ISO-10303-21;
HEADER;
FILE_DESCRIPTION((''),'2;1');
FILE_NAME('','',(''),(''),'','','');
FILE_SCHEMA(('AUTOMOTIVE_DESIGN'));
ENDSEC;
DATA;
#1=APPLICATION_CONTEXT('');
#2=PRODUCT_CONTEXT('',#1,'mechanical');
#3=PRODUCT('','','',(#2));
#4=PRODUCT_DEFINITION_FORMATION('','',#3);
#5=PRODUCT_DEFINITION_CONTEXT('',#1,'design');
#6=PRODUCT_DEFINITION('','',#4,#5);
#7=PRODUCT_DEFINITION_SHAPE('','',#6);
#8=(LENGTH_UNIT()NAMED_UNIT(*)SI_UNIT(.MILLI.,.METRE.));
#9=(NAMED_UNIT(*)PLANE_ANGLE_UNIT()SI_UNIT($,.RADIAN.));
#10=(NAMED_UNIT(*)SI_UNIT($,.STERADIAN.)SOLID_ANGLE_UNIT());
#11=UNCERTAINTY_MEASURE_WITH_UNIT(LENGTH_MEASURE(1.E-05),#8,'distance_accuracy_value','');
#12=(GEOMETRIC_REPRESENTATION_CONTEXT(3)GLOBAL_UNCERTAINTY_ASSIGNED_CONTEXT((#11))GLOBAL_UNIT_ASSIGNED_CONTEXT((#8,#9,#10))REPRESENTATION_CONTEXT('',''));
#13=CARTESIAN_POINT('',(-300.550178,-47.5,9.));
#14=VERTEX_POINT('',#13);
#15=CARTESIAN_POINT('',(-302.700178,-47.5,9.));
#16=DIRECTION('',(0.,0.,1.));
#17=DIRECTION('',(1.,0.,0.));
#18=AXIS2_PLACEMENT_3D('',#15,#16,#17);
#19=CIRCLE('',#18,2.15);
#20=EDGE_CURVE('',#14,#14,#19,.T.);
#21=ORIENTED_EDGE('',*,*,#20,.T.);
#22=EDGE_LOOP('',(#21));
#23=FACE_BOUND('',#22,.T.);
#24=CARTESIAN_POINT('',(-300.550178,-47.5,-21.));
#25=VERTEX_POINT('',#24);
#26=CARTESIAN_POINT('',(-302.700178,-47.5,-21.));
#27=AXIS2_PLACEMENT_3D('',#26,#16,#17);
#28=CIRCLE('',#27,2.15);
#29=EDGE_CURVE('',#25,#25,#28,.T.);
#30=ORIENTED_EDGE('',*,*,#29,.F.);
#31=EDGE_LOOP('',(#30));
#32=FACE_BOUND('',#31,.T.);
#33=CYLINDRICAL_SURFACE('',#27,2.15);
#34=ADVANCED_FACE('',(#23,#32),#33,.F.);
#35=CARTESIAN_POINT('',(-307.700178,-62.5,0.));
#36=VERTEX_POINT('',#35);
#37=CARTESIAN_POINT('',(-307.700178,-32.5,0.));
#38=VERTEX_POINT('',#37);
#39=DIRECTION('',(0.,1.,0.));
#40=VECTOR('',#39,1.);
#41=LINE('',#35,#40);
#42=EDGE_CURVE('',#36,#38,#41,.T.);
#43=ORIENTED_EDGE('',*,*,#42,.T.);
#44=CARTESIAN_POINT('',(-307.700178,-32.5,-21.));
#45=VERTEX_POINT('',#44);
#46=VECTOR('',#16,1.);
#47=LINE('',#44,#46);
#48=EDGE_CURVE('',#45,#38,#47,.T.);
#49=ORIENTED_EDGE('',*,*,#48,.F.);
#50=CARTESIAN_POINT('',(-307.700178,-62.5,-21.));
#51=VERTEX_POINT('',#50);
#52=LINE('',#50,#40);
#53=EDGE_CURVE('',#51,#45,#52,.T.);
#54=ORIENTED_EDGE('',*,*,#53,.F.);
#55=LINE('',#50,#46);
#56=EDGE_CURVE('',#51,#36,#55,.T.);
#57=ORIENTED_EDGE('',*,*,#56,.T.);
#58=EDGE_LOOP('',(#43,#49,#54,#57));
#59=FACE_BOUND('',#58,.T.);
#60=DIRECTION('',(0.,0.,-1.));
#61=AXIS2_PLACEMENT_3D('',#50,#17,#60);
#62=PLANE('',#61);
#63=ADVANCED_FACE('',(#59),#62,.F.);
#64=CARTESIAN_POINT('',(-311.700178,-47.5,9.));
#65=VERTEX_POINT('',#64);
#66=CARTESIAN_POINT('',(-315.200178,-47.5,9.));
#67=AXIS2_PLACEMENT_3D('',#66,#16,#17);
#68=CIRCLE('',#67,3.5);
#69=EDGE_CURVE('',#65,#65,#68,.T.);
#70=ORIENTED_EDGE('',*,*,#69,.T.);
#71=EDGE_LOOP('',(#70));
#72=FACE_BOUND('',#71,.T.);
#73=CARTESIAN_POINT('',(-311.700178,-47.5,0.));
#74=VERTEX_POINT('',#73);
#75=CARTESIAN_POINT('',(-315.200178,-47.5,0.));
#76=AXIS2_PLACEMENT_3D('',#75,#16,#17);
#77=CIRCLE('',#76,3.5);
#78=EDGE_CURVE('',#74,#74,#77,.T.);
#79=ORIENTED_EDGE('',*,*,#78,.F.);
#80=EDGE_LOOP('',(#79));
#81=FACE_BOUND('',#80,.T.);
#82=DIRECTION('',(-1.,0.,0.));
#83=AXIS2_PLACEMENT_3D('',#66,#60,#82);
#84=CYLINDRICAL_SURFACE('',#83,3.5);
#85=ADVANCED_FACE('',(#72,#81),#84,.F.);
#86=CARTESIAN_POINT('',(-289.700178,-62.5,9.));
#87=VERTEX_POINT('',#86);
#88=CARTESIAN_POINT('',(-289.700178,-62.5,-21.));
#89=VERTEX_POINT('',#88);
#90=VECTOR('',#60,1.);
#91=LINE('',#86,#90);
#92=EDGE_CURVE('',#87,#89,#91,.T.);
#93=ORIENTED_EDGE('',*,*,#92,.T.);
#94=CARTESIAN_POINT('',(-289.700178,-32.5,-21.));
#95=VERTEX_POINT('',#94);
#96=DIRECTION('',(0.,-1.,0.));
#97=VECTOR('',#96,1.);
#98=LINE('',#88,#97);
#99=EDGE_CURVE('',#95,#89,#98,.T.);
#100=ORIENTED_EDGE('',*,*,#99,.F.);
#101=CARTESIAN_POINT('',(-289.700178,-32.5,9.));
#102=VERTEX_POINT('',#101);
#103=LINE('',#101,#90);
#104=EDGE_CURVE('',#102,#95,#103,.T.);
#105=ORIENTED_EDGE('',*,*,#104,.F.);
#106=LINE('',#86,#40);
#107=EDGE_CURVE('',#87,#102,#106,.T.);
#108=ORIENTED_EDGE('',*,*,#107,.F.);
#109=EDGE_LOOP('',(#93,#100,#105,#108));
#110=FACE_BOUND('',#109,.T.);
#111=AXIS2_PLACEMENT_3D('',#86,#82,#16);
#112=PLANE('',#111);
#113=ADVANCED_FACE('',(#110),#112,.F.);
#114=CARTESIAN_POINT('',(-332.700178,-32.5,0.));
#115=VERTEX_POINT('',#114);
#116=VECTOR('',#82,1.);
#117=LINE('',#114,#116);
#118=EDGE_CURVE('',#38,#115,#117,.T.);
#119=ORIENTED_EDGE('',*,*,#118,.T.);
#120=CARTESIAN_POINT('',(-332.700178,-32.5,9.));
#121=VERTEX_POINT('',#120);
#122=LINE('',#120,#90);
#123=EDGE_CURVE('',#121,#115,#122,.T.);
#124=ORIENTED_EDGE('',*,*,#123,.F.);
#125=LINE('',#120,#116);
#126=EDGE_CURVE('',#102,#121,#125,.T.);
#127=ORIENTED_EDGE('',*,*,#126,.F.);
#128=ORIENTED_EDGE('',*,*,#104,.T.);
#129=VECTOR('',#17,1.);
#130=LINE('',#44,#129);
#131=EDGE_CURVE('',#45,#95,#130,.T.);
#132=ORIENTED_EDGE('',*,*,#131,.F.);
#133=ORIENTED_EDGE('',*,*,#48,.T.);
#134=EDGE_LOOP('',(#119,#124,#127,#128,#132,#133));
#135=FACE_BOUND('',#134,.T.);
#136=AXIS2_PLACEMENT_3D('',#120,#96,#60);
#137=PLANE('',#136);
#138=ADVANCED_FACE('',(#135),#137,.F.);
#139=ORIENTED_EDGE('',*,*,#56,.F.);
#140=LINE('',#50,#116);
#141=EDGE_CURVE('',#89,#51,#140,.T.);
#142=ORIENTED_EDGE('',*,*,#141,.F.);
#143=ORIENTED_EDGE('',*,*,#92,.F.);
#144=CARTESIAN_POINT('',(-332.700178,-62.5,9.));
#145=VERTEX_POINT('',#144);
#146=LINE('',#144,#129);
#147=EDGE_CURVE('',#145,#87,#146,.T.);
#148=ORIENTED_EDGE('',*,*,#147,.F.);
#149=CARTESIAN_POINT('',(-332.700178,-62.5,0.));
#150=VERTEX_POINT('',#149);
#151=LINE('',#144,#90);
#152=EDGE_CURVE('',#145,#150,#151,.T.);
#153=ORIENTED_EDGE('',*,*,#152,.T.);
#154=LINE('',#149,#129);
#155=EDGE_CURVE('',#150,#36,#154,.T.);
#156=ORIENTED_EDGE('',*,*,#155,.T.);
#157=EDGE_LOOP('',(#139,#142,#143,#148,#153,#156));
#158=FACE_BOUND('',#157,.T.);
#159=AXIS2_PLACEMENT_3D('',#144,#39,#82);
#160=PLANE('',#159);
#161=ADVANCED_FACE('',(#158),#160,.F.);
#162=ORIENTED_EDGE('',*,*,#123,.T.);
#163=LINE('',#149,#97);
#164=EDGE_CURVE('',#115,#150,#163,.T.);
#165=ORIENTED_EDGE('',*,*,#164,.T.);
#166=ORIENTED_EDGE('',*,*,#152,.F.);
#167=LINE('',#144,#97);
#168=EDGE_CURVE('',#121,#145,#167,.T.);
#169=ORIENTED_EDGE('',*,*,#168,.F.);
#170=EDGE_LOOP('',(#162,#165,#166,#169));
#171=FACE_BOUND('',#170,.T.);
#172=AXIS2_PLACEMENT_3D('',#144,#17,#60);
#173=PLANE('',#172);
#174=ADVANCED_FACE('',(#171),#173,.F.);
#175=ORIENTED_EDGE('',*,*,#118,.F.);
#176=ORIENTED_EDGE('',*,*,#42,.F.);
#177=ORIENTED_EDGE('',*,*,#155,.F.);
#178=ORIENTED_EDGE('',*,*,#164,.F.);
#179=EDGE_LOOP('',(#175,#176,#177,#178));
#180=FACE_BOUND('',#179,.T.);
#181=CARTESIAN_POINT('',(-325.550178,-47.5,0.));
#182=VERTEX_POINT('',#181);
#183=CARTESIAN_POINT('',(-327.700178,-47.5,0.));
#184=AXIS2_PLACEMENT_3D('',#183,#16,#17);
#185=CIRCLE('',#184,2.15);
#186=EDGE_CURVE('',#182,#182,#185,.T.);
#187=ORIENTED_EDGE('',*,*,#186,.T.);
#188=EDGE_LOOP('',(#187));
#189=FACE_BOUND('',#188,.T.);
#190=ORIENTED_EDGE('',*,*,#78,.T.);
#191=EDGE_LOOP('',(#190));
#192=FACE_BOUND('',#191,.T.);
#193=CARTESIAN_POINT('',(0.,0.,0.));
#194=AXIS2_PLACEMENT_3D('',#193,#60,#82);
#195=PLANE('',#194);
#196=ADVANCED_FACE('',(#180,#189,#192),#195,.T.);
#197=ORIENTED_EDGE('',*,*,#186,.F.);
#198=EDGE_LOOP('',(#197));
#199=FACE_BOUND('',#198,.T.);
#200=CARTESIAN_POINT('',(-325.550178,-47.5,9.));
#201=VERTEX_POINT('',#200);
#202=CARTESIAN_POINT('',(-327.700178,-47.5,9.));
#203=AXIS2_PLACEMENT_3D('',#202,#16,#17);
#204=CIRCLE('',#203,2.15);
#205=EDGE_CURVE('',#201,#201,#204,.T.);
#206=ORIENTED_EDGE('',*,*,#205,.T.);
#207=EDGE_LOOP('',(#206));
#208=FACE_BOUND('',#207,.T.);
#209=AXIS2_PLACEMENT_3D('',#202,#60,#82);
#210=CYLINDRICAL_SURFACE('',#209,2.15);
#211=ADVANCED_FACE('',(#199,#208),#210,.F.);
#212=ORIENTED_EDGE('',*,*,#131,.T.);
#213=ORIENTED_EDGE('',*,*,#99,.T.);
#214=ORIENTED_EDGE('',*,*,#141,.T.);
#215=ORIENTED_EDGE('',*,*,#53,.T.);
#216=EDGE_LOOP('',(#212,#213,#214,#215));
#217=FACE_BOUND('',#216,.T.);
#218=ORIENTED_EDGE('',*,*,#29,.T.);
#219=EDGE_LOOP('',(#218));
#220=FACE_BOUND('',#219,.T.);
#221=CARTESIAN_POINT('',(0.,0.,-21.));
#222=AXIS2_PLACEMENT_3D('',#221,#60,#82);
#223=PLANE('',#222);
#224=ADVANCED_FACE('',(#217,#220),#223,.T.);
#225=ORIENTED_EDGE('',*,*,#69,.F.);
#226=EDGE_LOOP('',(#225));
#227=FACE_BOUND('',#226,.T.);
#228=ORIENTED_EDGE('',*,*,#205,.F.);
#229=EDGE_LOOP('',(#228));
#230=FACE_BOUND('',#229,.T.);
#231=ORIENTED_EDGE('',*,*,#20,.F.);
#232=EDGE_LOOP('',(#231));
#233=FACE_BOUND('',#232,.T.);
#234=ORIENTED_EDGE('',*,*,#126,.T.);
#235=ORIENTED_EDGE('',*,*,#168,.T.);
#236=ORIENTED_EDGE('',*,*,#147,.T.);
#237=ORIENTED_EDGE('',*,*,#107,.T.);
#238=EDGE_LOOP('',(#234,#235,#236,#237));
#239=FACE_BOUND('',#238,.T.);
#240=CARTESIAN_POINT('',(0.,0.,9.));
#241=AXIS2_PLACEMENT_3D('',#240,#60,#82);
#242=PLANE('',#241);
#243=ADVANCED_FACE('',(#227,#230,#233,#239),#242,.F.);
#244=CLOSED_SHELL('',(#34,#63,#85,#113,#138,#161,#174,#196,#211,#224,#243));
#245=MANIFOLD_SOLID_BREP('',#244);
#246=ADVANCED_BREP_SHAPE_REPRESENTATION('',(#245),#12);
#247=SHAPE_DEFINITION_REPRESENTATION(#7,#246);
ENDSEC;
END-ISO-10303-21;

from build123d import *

# Parameters (mm, degrees)
SKETCH1_W           = 43
SKETCH1_H           = 30
SKETCH1_R           = 2.15
SKETCH1_R_2         = 3.5
BOSS_EXTRUDE1_DEPTH = 9
SKETCH2_W           = 18
SKETCH2_H           = 30
BOSS_EXTRUDE2_DEPTH = 21
SKETCH3_R           = 2.15
CUT_EXTRUDE1_DEPTH  = 340.846521731


with BuildPart() as part:
    # Sketch1 → Boss-Extrude1 (new body)
    with BuildSketch(Plane.XY):
        with Locations((-311.200177837, -47.5)):
            Rectangle(SKETCH1_W, SKETCH1_H)
        with Locations((-327.700177837, -47.5)):
            Circle(SKETCH1_R, mode=Mode.SUBTRACT)
        with Locations((-315.200177837, -47.5)):
            Circle(SKETCH1_R_2, mode=Mode.SUBTRACT)
    extrude(amount=BOSS_EXTRUDE1_DEPTH)

    # Sketch2 → Boss-Extrude2 (add)
    with BuildSketch(Plane(origin=(0, 0, 0), x_dir=(-1, 0, 0), z_dir=(0, 0, -1))):
        with Locations((298.700177837, -47.5)):
            Rectangle(SKETCH2_W, SKETCH2_H)
    extrude(amount=BOSS_EXTRUDE2_DEPTH)

    # Sketch3 → Cut-Extrude1 (cut, through all)
    with BuildSketch(Plane.XY.offset(9)):
        with Locations((-302.700177837, -47.5)):
            Circle(SKETCH3_R)
    extrude(amount=-CUT_EXTRUDE1_DEPTH, mode=Mode.SUBTRACT)


solid = part.part
